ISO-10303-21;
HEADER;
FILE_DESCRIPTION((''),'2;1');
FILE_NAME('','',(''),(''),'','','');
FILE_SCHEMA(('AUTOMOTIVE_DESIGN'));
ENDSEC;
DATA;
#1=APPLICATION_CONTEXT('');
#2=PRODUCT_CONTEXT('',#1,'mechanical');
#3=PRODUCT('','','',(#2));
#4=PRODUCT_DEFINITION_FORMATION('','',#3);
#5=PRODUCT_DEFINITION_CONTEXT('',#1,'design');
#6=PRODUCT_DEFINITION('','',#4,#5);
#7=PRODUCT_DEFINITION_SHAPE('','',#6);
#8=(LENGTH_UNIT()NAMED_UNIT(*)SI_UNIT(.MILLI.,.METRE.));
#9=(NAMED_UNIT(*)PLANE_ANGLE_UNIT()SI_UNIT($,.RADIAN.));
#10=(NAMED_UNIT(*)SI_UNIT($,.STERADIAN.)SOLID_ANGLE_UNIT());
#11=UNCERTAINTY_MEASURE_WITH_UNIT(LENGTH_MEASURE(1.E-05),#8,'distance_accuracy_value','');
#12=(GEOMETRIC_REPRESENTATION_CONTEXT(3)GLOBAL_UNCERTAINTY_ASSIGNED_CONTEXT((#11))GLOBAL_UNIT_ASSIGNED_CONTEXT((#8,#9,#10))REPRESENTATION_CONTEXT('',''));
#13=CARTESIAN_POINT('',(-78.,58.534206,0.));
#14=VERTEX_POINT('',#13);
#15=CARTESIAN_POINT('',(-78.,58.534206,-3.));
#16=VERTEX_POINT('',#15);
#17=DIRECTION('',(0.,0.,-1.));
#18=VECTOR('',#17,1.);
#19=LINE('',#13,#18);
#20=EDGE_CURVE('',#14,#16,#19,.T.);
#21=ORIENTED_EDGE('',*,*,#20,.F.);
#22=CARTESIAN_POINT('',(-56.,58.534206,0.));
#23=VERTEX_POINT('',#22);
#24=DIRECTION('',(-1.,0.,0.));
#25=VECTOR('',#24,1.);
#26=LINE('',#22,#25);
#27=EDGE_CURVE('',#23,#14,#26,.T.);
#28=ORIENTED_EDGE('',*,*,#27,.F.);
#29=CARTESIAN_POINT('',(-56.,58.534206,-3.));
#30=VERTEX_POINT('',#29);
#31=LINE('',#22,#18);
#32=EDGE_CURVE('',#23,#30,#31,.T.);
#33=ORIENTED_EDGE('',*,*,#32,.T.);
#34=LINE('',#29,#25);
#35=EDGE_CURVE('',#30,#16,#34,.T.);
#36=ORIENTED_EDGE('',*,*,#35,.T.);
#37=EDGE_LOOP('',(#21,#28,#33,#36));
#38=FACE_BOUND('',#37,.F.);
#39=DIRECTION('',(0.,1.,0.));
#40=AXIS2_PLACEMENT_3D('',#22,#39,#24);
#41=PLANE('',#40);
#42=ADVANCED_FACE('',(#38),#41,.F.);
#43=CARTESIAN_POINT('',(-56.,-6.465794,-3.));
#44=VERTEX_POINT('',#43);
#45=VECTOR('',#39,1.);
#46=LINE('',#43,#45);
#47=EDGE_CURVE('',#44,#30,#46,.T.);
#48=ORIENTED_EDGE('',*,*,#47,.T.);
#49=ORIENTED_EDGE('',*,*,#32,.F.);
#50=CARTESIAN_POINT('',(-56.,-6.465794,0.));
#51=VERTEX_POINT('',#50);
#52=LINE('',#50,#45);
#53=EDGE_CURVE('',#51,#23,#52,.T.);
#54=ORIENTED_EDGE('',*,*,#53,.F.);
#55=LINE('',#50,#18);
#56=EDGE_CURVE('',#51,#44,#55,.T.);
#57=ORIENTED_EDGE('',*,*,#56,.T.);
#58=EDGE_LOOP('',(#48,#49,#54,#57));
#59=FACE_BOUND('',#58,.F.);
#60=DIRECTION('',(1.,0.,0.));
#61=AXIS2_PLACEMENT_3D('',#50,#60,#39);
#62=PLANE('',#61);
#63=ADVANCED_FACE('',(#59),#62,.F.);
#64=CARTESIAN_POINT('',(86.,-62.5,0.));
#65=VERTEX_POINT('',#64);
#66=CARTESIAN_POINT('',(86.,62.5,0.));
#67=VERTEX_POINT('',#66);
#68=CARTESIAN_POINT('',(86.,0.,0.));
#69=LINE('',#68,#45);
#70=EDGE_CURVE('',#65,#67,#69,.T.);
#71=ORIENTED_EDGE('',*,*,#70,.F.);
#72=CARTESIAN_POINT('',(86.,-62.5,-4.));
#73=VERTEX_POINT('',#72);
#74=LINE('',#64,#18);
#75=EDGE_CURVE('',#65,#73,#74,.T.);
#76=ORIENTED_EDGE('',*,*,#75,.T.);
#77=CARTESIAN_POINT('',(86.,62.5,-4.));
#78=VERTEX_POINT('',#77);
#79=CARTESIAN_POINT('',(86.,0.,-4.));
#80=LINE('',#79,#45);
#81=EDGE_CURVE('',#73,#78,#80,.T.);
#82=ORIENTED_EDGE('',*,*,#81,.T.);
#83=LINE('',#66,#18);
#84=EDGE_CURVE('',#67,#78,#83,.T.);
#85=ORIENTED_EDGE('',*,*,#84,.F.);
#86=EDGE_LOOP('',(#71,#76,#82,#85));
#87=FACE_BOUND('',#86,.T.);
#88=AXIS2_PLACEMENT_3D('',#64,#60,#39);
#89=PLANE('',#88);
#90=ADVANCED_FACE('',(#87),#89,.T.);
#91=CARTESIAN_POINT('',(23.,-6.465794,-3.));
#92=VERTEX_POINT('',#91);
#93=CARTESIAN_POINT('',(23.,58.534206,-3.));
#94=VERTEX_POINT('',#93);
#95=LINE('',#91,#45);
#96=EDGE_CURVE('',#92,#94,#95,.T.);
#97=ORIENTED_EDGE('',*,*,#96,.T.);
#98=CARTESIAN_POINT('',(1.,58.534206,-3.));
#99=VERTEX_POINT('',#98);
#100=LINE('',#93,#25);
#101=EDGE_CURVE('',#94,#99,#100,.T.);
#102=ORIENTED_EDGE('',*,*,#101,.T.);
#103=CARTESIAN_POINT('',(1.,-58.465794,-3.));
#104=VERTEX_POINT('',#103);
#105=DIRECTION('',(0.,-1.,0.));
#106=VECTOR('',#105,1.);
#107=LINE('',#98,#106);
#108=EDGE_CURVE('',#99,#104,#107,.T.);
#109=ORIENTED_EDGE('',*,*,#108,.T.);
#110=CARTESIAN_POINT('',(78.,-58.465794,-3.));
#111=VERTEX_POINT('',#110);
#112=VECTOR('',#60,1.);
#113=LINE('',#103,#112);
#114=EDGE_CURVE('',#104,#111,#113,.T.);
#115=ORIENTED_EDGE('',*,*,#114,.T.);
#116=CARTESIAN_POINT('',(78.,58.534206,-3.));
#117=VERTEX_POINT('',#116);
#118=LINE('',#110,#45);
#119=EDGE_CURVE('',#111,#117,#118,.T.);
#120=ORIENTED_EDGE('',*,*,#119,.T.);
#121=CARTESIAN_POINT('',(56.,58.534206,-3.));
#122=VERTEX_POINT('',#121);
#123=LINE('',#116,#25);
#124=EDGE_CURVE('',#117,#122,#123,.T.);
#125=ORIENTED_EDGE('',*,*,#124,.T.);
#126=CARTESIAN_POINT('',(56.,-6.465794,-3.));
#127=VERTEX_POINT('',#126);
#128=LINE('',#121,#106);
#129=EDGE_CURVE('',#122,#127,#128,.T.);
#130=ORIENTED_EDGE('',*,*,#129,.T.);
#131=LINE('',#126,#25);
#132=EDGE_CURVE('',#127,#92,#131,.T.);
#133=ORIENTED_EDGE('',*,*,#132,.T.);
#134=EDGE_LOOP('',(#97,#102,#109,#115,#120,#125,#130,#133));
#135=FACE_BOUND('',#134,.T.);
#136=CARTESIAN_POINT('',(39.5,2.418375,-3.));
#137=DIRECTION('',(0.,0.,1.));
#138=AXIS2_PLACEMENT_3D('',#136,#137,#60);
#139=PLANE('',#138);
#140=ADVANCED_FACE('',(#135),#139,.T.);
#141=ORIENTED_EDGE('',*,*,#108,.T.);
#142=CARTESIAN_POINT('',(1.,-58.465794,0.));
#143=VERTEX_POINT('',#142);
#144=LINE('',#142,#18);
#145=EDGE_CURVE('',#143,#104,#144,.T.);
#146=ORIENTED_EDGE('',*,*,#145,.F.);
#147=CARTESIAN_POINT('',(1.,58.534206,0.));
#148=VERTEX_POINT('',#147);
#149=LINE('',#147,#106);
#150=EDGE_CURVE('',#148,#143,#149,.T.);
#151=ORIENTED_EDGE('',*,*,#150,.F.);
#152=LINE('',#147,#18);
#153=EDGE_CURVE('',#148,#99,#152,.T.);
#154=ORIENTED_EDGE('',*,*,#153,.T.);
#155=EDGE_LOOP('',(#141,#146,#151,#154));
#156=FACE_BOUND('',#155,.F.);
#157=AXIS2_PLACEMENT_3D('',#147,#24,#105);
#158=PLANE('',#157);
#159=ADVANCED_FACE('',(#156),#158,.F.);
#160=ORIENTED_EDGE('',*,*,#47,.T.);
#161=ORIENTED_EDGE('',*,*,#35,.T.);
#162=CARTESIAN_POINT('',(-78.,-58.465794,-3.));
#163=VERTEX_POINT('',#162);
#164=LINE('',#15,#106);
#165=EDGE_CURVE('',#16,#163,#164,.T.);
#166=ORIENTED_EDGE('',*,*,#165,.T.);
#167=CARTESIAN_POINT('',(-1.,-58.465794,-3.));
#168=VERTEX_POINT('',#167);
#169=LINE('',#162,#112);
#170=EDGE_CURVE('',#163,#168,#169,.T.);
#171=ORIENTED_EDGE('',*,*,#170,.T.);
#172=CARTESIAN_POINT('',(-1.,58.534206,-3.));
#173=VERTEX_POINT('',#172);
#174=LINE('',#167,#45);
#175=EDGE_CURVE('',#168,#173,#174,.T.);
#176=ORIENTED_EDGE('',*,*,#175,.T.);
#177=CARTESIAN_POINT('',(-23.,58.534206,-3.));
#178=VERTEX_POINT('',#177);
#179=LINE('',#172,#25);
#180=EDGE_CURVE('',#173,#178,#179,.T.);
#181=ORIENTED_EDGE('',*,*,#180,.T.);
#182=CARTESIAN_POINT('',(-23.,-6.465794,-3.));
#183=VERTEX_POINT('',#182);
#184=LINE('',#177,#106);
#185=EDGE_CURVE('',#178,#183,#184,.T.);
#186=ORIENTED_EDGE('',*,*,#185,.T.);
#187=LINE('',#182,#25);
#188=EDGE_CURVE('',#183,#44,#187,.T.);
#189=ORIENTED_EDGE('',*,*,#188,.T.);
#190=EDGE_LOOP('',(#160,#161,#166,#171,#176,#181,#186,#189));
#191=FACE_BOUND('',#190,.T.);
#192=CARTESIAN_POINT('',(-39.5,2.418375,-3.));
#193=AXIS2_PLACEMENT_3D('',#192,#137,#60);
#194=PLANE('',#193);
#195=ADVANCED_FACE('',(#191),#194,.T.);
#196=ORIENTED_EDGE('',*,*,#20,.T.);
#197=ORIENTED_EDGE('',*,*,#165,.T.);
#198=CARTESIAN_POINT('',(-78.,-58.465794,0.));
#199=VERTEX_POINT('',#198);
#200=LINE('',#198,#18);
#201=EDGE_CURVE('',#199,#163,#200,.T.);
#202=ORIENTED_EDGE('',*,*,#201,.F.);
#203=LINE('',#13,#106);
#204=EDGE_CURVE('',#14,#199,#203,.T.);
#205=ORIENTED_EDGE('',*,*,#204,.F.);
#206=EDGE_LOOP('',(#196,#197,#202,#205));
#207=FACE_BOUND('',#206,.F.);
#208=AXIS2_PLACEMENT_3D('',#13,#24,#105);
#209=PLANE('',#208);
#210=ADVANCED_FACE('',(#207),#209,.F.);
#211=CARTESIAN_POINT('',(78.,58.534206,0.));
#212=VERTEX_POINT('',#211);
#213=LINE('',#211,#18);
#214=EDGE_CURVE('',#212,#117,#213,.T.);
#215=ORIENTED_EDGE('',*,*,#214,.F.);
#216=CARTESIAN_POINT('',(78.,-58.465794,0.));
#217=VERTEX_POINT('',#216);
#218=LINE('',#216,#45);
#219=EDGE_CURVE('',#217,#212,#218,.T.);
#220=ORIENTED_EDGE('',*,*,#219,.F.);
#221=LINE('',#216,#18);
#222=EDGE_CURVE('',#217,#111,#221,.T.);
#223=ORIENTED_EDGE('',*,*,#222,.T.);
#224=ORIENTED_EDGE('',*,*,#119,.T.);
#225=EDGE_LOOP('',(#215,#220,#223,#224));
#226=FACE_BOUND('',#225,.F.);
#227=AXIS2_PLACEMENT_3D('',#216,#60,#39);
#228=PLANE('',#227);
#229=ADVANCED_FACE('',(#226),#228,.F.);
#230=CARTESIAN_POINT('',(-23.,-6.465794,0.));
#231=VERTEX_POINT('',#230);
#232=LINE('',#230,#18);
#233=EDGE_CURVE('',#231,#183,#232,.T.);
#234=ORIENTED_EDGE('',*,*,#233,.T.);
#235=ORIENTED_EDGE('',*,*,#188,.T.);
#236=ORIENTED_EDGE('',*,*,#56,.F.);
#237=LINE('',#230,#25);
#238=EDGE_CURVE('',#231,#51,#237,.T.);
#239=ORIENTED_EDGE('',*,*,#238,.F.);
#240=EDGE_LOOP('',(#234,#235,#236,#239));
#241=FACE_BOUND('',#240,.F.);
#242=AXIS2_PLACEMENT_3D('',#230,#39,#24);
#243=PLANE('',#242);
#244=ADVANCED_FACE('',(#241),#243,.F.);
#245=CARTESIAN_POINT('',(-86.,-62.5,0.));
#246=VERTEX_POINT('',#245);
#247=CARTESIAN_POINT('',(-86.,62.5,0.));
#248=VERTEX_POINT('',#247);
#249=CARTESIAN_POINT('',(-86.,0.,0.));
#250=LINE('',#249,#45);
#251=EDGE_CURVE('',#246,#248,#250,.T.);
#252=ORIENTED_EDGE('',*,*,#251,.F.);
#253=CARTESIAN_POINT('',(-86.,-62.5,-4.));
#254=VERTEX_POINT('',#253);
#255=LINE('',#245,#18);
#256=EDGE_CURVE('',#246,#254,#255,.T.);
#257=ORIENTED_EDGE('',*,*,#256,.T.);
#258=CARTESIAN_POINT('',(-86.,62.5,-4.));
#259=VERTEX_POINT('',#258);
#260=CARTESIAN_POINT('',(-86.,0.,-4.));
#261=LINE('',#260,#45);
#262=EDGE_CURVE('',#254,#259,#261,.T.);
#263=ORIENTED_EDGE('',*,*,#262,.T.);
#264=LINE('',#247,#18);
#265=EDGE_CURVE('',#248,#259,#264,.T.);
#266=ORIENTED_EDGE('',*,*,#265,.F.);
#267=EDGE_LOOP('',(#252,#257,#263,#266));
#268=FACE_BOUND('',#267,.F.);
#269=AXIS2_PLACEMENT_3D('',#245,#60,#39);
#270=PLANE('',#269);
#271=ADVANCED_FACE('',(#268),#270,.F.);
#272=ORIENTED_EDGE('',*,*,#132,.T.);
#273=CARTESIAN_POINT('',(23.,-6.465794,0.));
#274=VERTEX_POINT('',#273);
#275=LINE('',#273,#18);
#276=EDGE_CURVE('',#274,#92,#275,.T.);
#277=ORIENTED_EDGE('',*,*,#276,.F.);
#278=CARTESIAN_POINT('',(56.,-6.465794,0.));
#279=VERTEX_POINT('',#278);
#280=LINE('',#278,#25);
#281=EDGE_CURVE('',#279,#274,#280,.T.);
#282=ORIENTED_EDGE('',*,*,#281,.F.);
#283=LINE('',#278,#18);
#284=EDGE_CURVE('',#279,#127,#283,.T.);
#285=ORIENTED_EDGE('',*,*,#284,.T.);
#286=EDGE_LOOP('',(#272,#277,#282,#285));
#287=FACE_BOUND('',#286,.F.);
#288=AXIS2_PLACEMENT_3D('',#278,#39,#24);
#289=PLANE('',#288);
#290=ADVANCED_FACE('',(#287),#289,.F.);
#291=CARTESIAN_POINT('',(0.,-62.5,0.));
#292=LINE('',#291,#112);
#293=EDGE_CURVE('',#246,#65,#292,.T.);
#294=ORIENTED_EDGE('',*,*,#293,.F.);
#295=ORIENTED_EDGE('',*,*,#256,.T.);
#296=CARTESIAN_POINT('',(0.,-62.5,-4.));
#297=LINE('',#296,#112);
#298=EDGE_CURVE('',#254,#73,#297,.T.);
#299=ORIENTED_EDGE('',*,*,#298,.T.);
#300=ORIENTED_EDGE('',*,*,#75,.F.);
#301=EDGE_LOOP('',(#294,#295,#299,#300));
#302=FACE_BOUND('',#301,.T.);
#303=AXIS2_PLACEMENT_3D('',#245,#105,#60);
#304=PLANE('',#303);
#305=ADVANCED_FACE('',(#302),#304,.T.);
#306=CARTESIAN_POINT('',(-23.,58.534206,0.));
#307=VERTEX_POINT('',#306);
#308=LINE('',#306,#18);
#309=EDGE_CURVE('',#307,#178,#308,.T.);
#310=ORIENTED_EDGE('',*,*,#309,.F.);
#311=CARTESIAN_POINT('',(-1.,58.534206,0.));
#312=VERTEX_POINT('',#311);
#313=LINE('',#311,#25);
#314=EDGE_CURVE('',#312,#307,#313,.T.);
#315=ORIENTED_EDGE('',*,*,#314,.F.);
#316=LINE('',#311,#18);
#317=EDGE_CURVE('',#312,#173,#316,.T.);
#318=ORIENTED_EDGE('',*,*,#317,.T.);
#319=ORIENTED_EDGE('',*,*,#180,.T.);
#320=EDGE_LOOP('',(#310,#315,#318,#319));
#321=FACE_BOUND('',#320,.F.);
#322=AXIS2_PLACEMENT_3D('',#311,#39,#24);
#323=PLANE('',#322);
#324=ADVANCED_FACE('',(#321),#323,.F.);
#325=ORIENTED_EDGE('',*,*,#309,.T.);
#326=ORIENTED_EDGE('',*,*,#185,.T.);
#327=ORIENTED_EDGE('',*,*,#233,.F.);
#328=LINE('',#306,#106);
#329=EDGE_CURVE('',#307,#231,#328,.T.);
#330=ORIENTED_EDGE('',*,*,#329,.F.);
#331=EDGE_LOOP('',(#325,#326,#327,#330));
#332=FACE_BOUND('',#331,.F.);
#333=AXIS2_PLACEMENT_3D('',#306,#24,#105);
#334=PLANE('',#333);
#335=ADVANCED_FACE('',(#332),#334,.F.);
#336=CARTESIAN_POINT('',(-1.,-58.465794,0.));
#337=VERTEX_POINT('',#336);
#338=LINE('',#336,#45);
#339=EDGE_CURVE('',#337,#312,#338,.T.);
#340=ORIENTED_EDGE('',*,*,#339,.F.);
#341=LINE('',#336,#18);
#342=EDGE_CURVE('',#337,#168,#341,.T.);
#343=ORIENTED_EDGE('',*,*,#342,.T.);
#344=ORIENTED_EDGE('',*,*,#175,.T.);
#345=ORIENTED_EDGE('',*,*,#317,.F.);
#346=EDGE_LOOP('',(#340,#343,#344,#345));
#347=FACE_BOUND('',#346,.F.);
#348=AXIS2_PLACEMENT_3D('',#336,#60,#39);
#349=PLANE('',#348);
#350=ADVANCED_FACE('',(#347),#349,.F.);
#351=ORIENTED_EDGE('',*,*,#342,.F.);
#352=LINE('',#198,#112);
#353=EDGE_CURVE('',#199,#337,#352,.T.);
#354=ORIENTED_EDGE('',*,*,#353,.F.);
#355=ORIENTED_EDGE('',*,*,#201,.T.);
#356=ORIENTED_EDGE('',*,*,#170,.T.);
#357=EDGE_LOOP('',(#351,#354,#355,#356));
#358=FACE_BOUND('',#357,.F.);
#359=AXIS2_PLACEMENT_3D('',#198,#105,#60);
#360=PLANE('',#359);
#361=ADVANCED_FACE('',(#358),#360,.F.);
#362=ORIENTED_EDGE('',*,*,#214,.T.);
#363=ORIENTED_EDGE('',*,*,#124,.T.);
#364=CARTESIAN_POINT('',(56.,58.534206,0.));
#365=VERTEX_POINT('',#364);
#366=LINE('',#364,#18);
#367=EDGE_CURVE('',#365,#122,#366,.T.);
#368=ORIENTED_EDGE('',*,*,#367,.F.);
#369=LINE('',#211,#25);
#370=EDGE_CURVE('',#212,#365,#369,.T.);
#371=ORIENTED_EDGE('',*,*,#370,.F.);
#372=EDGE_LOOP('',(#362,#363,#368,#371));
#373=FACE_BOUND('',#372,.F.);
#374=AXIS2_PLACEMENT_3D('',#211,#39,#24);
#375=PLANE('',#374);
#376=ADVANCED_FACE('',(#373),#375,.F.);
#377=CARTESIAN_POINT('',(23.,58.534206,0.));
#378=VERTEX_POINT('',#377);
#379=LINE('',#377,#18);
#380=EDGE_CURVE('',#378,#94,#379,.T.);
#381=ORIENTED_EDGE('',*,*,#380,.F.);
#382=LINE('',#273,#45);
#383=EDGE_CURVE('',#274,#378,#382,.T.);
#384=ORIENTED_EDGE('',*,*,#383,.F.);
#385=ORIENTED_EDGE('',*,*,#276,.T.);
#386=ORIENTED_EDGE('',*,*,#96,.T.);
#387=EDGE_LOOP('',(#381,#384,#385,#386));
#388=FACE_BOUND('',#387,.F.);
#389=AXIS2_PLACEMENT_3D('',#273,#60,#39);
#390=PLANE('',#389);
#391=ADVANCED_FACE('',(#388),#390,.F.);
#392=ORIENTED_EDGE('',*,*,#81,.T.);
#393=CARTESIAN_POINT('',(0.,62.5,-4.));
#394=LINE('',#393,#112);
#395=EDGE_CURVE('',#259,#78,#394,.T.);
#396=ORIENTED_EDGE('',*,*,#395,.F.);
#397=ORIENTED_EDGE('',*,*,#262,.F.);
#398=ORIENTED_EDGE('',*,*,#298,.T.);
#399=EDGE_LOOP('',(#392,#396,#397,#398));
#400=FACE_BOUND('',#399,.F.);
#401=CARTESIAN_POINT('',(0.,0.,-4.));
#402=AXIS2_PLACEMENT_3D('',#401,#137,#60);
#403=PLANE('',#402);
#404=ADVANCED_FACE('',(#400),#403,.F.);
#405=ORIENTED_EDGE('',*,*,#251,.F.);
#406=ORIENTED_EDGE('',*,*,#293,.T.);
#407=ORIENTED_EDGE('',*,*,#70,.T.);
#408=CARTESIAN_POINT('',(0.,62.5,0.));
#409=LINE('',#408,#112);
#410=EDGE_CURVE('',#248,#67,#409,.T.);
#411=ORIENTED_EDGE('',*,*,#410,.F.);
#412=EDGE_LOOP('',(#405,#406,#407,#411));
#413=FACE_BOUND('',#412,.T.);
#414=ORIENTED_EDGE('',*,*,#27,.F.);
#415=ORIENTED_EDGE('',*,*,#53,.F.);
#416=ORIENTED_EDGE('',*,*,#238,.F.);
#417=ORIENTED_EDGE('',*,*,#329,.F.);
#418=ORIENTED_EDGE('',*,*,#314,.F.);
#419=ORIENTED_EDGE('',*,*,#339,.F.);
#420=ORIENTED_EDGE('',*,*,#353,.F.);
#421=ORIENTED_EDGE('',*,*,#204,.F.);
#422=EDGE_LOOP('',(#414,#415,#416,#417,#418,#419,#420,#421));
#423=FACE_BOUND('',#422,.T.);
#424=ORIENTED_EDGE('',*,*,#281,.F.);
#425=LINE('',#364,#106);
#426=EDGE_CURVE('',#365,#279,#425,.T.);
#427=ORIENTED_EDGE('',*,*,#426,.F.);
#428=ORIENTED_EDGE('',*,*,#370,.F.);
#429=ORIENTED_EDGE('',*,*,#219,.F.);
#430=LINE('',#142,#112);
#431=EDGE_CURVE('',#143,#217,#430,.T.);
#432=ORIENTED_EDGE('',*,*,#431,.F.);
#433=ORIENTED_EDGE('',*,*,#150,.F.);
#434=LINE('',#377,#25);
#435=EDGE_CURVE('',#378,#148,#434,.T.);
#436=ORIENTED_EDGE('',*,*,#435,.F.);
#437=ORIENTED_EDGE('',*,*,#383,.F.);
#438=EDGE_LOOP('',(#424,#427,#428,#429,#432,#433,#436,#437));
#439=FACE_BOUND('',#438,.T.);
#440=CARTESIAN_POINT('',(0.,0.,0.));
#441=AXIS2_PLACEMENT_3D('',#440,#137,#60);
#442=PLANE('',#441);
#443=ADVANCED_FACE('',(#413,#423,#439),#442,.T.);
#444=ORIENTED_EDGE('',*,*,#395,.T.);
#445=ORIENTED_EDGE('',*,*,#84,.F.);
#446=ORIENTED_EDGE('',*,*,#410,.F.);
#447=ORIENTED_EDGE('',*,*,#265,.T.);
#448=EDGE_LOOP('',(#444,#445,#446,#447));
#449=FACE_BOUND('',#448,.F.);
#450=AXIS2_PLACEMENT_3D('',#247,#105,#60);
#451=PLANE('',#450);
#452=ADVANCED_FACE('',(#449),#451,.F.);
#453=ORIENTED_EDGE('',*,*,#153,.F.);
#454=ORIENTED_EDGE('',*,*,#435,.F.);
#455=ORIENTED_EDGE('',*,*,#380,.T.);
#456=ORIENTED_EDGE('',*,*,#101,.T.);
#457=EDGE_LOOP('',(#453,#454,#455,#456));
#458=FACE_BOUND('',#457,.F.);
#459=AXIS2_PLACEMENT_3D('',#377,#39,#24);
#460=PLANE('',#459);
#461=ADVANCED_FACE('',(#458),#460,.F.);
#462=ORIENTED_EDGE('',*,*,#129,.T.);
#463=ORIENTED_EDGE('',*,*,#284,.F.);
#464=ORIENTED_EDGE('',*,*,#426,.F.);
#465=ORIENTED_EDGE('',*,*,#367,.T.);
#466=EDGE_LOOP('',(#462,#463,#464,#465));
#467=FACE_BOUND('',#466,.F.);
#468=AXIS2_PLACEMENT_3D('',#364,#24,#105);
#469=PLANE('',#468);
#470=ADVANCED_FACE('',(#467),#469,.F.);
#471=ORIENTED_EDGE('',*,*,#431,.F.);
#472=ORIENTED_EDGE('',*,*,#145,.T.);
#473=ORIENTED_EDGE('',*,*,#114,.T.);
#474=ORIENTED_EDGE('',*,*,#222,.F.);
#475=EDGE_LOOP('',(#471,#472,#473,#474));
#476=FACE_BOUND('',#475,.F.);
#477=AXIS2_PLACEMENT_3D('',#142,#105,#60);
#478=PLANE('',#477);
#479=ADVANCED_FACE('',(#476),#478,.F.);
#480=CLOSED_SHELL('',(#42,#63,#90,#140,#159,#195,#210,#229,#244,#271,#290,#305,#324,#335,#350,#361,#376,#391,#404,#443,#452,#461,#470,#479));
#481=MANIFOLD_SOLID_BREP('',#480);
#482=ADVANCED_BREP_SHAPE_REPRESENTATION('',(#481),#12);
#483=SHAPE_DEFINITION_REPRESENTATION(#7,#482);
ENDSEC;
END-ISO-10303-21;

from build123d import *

# Parameters (mm, degrees)
F1_W     = 172
F1_H     = 125
F2_DEPTH = 4
F3_DEPTH = 3


with BuildPart() as f2:
    # F1 (on Top) → F2 (new body)
    with BuildSketch(Plane.XY):
        Rectangle(F1_W, F1_H)
    extrude(amount=-F2_DEPTH)

    # F0 (on Top) → F3 (cut)
    with BuildSketch(Plane.XY):
        Polygon((-1, 58.5342056155), (-23, 58.5342056155), (-23, -6.4657943845), (-56, -6.4657943845), (-56, 58.5342056155), (-78, 58.5342056155), (-78, -58.4657943845), (-1, -58.4657943845), align=None)
        Polygon((-77, -57.4657943845), (-77, 57.5342056155), (-57, 57.5342056155), (-57, -7.4657943845), (-22, -7.4657943845), (-22, 57.5342056155), (-2, 57.5342056155), (-2, -7.5), (-2, -57.4657943845), align=None, mode=Mode.SUBTRACT)
        Polygon((1, 58.5342056155), (1, -58.4657943845), (78, -58.4657943845), (78, 58.5342056155), (56, 58.5342056155), (56, -6.4657943845), (23, -6.4657943845), (23, 58.5342056155), align=None)
        Polygon((77, -57.4657943845), (2, -57.4657943845), (2, -7.5), (2, 57.5342056155), (22, 57.5342056155), (22, -7.4657943845), (57, -7.4657943845), (57, 57.5342056155), (77, 57.5342056155), align=None, mode=Mode.SUBTRACT)
        Polygon((-57, 57.5342056155), (-77, 57.5342056155), (-77, -57.4657943845), (-2, -57.4657943845), (-2, -7.5), (-2, 57.5342056155), (-22, 57.5342056155), (-22, -7.4657943845), (-57, -7.4657943845), align=None)
        Polygon((2, -7.5), (2, -57.4657943845), (77, -57.4657943845), (77, 57.5342056155), (57, 57.5342056155), (57, -7.4657943845), (22, -7.4657943845), (22, 57.5342056155), (2, 57.5342056155), align=None)
    extrude(amount=-F3_DEPTH, mode=Mode.SUBTRACT)


solid = f2.part
